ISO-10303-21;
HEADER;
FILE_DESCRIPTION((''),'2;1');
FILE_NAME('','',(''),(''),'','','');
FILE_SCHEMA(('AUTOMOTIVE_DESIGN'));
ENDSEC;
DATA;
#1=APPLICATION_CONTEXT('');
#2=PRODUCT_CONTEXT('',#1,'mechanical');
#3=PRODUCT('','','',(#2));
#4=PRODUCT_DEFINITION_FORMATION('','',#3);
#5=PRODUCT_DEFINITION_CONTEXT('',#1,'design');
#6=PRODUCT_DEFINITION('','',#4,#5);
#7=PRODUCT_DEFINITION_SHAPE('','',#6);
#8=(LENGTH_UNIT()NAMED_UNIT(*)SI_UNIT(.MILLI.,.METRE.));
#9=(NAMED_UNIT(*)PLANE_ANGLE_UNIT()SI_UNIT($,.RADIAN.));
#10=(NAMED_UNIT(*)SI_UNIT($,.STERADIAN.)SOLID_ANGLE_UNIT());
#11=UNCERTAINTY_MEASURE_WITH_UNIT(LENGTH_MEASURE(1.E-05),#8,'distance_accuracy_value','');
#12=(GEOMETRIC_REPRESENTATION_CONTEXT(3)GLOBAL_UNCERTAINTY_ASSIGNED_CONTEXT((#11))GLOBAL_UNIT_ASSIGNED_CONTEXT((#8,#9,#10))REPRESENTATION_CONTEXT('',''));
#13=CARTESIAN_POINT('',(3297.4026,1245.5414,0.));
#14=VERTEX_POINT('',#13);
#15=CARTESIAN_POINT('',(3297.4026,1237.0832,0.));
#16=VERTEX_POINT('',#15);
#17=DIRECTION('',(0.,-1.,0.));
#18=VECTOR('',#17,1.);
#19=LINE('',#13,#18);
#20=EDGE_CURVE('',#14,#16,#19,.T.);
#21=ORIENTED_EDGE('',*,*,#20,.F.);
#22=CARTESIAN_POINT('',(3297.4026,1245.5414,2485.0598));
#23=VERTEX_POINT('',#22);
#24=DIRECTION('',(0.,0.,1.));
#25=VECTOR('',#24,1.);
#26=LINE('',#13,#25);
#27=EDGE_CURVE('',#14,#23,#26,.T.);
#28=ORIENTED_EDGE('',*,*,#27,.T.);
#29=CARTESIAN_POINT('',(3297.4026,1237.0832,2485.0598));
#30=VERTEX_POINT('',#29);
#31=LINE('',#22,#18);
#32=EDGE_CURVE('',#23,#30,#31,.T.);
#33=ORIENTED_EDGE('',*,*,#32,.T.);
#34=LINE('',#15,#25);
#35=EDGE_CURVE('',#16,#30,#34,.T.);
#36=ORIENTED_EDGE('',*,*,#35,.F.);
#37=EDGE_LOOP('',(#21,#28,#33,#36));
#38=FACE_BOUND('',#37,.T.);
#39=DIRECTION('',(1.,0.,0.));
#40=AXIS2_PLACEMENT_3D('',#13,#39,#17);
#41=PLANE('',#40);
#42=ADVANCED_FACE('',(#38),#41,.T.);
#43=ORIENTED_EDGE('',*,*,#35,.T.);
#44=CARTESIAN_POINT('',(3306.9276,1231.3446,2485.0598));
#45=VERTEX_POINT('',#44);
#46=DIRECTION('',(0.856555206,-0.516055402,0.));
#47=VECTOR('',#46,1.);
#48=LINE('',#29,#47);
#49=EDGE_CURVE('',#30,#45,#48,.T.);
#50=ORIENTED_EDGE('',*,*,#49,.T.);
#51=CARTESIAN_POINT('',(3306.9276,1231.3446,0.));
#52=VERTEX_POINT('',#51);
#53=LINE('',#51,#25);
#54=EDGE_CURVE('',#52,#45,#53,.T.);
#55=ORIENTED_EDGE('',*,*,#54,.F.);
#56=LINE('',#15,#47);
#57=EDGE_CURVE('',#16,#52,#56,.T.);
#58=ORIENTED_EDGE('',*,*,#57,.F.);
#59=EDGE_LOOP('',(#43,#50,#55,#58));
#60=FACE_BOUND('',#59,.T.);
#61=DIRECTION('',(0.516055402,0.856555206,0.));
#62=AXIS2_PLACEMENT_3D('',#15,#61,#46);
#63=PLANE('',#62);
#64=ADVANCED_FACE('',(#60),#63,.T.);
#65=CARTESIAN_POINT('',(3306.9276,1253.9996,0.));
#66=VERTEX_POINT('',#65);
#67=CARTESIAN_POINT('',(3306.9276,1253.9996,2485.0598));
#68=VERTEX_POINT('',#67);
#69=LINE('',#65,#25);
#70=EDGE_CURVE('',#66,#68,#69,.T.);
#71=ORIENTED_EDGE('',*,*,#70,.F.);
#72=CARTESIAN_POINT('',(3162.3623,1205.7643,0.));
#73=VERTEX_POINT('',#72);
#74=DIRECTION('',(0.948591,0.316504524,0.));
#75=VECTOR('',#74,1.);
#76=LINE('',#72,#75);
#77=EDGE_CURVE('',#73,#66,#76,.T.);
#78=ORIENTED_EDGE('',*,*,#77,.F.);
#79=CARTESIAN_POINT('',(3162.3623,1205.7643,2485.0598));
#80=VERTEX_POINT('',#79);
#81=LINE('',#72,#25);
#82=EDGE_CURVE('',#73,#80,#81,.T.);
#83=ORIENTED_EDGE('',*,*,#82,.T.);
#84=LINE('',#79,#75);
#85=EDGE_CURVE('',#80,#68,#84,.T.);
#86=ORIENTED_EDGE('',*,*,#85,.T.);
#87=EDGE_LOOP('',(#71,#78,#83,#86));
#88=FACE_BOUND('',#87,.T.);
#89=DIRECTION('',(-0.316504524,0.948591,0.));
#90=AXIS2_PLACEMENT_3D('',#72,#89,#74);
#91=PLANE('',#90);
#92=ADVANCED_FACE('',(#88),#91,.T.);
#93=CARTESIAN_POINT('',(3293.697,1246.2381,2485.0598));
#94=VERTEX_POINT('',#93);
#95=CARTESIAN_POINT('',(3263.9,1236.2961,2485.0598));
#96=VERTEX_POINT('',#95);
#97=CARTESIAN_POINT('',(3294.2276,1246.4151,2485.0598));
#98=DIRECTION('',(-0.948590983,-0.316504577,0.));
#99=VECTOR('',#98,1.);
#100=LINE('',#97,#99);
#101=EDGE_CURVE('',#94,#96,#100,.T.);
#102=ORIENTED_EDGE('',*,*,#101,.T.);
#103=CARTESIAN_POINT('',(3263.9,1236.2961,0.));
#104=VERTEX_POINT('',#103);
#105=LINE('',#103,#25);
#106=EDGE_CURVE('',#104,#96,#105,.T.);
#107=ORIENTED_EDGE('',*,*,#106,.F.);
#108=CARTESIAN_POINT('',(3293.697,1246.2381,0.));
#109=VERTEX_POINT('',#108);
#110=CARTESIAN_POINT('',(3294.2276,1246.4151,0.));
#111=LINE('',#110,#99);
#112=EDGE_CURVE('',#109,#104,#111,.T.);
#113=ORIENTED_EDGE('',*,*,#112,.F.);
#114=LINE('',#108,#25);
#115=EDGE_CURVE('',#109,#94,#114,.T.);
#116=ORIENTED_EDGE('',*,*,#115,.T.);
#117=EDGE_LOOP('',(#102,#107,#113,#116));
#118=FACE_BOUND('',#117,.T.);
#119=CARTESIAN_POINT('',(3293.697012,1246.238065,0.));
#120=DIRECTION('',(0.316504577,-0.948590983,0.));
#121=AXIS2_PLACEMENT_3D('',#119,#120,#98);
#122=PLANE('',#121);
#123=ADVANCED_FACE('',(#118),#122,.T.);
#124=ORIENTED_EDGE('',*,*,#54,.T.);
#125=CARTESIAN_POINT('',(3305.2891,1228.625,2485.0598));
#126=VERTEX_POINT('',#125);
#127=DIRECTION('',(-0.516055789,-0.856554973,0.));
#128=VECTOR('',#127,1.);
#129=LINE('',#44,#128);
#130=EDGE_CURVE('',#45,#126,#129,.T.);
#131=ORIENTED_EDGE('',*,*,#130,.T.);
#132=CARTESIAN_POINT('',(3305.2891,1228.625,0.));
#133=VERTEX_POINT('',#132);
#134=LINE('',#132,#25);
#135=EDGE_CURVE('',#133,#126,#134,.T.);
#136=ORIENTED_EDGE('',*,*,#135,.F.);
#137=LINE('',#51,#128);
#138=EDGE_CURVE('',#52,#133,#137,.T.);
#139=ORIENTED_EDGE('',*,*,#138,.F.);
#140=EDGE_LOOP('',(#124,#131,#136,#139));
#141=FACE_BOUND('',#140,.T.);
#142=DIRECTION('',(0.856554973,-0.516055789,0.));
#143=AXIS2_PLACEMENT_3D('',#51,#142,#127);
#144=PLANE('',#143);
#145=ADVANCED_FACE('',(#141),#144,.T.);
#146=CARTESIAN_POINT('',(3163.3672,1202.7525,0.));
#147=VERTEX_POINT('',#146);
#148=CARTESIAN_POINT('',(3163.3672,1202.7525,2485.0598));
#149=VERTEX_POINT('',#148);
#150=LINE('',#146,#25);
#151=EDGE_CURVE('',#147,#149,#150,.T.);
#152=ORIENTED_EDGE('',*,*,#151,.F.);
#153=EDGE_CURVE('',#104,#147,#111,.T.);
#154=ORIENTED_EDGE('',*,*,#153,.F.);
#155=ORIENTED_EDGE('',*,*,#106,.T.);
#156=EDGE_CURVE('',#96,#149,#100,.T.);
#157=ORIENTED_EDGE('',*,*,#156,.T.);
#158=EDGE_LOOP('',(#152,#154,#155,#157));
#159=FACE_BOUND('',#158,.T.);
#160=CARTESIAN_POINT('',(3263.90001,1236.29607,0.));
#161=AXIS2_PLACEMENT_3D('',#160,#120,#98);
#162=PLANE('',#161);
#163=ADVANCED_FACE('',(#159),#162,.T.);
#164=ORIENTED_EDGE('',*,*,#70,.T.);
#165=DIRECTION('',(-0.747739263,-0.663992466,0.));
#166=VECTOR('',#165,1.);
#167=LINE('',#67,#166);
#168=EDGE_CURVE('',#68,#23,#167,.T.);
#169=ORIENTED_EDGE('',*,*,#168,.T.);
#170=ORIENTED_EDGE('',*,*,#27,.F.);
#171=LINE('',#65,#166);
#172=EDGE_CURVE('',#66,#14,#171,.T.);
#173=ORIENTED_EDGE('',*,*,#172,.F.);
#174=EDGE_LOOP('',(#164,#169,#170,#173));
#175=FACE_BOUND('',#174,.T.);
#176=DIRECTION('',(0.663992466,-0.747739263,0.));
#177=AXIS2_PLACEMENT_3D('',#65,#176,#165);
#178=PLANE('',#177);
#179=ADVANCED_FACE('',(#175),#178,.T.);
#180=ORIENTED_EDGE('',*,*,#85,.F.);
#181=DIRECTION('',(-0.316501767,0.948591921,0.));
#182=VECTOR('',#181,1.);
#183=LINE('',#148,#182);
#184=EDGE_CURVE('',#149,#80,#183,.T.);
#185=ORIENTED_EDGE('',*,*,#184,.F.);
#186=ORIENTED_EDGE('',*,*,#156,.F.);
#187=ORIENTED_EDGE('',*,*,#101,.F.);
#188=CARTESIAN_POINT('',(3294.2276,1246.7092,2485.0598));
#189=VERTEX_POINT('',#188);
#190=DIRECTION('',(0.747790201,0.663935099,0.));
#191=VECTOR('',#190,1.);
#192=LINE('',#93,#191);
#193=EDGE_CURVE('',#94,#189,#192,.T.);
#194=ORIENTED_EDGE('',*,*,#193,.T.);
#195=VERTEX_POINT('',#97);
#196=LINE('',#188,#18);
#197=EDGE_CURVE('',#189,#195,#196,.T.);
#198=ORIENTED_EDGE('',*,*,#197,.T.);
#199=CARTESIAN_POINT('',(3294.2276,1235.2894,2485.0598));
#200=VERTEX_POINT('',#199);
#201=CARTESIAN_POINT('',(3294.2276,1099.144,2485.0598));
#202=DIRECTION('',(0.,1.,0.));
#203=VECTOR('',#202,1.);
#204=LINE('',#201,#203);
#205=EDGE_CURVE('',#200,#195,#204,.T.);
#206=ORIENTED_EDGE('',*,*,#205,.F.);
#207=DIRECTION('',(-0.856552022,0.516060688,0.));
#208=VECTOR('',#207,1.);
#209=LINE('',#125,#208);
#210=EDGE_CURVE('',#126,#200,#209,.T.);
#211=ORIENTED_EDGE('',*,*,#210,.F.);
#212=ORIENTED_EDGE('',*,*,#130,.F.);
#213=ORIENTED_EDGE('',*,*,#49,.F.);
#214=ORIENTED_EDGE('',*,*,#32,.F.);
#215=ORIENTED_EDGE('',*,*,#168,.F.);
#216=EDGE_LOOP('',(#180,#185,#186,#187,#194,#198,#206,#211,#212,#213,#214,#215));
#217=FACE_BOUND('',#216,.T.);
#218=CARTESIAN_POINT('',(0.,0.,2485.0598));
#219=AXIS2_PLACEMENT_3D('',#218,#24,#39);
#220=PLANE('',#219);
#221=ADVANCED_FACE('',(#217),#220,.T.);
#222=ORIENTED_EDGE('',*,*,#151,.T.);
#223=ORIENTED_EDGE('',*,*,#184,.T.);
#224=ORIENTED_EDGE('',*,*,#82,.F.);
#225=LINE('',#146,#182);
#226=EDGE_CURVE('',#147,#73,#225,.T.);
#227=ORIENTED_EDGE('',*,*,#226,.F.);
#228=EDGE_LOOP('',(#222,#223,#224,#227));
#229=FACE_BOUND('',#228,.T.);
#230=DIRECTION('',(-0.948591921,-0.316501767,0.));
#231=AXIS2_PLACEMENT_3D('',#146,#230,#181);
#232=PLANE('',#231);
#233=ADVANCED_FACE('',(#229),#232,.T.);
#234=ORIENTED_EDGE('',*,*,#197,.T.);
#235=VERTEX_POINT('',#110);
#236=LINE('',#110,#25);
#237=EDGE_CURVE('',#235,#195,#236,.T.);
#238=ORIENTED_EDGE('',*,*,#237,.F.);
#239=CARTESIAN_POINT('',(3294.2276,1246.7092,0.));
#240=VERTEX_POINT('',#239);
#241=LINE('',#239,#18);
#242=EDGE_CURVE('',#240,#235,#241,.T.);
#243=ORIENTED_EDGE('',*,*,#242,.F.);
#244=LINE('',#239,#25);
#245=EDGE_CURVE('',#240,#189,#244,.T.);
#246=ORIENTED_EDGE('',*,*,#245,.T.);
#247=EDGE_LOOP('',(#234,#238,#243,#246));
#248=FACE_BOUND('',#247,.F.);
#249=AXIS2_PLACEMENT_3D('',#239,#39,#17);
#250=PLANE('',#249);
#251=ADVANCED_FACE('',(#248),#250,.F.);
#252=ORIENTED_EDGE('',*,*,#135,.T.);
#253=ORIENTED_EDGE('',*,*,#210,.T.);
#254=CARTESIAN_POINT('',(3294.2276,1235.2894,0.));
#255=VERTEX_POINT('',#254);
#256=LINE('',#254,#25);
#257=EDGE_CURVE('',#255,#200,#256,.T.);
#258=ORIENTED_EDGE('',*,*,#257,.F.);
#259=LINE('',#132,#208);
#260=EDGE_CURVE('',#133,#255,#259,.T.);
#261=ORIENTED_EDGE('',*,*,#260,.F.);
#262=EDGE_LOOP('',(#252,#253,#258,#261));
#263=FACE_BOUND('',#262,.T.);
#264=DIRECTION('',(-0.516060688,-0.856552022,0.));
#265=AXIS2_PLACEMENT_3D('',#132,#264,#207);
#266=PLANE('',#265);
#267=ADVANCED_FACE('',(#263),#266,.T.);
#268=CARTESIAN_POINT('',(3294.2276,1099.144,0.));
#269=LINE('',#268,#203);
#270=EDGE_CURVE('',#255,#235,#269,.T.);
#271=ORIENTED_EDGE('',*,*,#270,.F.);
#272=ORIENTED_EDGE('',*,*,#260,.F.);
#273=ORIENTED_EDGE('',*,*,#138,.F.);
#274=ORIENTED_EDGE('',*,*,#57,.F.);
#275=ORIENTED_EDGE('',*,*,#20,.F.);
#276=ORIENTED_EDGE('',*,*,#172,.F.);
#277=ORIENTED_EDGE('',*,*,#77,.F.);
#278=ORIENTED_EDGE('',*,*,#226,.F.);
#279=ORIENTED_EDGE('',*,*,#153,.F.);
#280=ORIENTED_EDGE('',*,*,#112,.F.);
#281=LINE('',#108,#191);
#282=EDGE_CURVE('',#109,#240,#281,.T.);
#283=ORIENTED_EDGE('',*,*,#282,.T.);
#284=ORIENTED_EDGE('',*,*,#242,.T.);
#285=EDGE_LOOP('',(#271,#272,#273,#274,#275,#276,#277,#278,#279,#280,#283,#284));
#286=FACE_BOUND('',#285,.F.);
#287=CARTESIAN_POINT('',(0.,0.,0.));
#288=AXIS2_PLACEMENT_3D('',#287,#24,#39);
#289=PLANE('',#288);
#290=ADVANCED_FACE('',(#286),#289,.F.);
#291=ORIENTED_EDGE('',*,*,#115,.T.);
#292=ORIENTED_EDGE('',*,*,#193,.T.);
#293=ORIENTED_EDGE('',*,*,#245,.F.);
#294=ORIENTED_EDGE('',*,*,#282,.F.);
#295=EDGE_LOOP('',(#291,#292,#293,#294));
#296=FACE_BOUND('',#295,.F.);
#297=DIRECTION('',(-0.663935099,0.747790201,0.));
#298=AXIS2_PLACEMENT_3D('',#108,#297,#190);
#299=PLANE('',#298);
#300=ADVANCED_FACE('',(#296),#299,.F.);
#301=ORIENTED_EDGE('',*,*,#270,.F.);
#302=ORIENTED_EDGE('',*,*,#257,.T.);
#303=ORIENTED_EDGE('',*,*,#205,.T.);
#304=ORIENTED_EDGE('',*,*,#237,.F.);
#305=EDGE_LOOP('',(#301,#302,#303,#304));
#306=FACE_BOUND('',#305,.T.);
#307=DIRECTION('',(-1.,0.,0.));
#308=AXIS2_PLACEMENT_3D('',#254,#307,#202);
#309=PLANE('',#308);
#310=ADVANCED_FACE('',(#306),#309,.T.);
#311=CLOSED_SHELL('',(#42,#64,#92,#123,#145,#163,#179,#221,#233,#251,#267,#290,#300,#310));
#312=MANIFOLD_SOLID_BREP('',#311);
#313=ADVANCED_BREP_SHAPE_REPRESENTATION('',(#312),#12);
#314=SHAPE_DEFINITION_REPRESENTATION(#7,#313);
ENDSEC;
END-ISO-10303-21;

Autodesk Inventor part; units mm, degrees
ref_plane "YZ Plane" through (0, 0, 0) normal (1, 0, 0) x (0, 1, 0)
ref_plane "XZ Plane" through (0, 0, 0) normal (0, 1, 0) x (-1, 0, 0)
ref_plane "XY Plane" through (0, 0, 0) normal (0, 0, 1) x (1, 0, 0)
sketch "Sketch1" plane through (0, 0, 0) normal (0, 0, 1) x (1, 0, 0)
  line L0 (0, 0) -> (3294.2276, 1099.144)
  line L1 (3294.2276, 1246.4151) -> (-135.0962, 102.1952)
  line L2 (0, 0) -> (-135.0962, 0)
  line L3 (-135.0962, 0) -> (-135.0962, 102.1952)
  line L4 (-135.0962, 102.1952) -> (1627.6312, 690.3426)
  line L5 (3294.2276, 1099.144) -> (3263.9, 1099.144)
  line L6 (3294.2276, 1099.144) -> (3294.2276, 1246.4151)
  line L7 (-88.9, 0) -> (-88.9, 117.6089)
  line L8 (3263.9, 1089.025) -> (3263.9, 1236.2961)
  line L9 (-135.0962, 102.1952) -> (-160.4962, 102.1952)
  line L10 (-160.4962, 102.1952) -> (-160.4962, 0)
  line L11 (-160.4962, 0) -> (-135.0962, 0)
  line L12 (-135.0962, 102.1952) -> (-140.1208, 117.2541)
  line L13 (-140.1208, 117.2541) -> (150.6173, 214.261)
  line L14 (150.6173, 214.261) -> (155.6418, 199.2021)
  line L15 (-27.6261, 154.7888) -> (-28.631, 157.8005)
  line L16 (-28.631, 157.8005) -> (-173.1962, 109.5652)
  line L17 (-173.1962, 109.5652) -> (-163.6712, 101.107)
  line L18 (-163.6712, 101.107) -> (-163.6712, 92.6488)
  line L19 (-163.6712, 92.6488) -> (-173.1962, 86.9102)
  line L20 (-171.5578, 84.1906) -> (-160.4962, 90.855)
  line L21 (-160.4962, 90.855) -> (-160.4962, 102.5338)
  line L22 (-160.4962, 102.5338) -> (-166.9808, 108.292)
  line L23 (-166.9808, 108.292) -> (-27.6261, 154.7888)
  line L24 (-171.5578, 84.1906) -> (-173.1962, 86.9102)
  line L25 (-173.1962, 109.5652) -> (-173.1962, 86.9102)
  line L26 (3163.3672, 1202.7525) -> (3162.3623, 1205.7643)
  line L27 (3162.3623, 1205.7643) -> (3306.9276, 1253.9996)
  line L28 (3163.3672, 1202.7525) -> (3293.697, 1246.2381)
  line L29 (3293.697, 1246.2381) -> (3294.2276, 1246.7092)
  line L30 (3306.9276, 1253.9996) -> (3297.4026, 1245.5414)
  line L31 (3297.4026, 1245.5414) -> (3297.4026, 1237.0832)
  line L32 (3294.2276, 1246.7092) -> (3294.2276, 1235.2894)
  line L33 (3297.4026, 1237.0832) -> (3306.9276, 1231.3446)
  line L34 (3306.9276, 1231.3446) -> (3305.2891, 1228.625)
  line L35 (3305.2891, 1228.625) -> (3294.2276, 1235.2894)
  line L36 (3306.9276, 1253.9996) -> (3306.9276, 1231.3446)
  point P0 (-160.4962, 90.855)
  point P1 (-160.4962, 101.4128)
  dimension "d5" = 139.7
  dimension "d17" = 88.9
  dimension "d19" = 3352.8
  dimension "d23" = 30.3276
  dimension "d28" = 46.1962
  dimension "d33" = 1089.025
  dimension "d36" = 25.4
  dimension "d37" = 15.875
  dimension "d49" = 3.175
  dimension "d50" = 3.175
  dimension "d51" = 3.175
  dimension "d52" = 3.175
  dimension "d54" = 8.4582
  dimension "d55" = 8.4582
  dimension "d61" = 8.4582
  dimension "d62" = 152.4
  dimension "d63" = 3.175
  dimension "d65" = 12.7
  dimension "d73" = 152.4
  dimension "d74" = 12.7
  dimension "d75" = 3.175
  dimension "d76" = 3.175
  dimension "d78" = 8.4582
  dimension "d79" = 8.4582
  dimension "d80" = 8.4582
extrude "Extrusion2" add sketch "Sketch1" along normal blind 2485.0598 contours L6 L32 L29 L1 L26 L27 L30 L31 L33 L34 L35
properties part number "Drip_Edge_For_Front_With_Length_97.504_Inches" material "Aluminum 6061"
